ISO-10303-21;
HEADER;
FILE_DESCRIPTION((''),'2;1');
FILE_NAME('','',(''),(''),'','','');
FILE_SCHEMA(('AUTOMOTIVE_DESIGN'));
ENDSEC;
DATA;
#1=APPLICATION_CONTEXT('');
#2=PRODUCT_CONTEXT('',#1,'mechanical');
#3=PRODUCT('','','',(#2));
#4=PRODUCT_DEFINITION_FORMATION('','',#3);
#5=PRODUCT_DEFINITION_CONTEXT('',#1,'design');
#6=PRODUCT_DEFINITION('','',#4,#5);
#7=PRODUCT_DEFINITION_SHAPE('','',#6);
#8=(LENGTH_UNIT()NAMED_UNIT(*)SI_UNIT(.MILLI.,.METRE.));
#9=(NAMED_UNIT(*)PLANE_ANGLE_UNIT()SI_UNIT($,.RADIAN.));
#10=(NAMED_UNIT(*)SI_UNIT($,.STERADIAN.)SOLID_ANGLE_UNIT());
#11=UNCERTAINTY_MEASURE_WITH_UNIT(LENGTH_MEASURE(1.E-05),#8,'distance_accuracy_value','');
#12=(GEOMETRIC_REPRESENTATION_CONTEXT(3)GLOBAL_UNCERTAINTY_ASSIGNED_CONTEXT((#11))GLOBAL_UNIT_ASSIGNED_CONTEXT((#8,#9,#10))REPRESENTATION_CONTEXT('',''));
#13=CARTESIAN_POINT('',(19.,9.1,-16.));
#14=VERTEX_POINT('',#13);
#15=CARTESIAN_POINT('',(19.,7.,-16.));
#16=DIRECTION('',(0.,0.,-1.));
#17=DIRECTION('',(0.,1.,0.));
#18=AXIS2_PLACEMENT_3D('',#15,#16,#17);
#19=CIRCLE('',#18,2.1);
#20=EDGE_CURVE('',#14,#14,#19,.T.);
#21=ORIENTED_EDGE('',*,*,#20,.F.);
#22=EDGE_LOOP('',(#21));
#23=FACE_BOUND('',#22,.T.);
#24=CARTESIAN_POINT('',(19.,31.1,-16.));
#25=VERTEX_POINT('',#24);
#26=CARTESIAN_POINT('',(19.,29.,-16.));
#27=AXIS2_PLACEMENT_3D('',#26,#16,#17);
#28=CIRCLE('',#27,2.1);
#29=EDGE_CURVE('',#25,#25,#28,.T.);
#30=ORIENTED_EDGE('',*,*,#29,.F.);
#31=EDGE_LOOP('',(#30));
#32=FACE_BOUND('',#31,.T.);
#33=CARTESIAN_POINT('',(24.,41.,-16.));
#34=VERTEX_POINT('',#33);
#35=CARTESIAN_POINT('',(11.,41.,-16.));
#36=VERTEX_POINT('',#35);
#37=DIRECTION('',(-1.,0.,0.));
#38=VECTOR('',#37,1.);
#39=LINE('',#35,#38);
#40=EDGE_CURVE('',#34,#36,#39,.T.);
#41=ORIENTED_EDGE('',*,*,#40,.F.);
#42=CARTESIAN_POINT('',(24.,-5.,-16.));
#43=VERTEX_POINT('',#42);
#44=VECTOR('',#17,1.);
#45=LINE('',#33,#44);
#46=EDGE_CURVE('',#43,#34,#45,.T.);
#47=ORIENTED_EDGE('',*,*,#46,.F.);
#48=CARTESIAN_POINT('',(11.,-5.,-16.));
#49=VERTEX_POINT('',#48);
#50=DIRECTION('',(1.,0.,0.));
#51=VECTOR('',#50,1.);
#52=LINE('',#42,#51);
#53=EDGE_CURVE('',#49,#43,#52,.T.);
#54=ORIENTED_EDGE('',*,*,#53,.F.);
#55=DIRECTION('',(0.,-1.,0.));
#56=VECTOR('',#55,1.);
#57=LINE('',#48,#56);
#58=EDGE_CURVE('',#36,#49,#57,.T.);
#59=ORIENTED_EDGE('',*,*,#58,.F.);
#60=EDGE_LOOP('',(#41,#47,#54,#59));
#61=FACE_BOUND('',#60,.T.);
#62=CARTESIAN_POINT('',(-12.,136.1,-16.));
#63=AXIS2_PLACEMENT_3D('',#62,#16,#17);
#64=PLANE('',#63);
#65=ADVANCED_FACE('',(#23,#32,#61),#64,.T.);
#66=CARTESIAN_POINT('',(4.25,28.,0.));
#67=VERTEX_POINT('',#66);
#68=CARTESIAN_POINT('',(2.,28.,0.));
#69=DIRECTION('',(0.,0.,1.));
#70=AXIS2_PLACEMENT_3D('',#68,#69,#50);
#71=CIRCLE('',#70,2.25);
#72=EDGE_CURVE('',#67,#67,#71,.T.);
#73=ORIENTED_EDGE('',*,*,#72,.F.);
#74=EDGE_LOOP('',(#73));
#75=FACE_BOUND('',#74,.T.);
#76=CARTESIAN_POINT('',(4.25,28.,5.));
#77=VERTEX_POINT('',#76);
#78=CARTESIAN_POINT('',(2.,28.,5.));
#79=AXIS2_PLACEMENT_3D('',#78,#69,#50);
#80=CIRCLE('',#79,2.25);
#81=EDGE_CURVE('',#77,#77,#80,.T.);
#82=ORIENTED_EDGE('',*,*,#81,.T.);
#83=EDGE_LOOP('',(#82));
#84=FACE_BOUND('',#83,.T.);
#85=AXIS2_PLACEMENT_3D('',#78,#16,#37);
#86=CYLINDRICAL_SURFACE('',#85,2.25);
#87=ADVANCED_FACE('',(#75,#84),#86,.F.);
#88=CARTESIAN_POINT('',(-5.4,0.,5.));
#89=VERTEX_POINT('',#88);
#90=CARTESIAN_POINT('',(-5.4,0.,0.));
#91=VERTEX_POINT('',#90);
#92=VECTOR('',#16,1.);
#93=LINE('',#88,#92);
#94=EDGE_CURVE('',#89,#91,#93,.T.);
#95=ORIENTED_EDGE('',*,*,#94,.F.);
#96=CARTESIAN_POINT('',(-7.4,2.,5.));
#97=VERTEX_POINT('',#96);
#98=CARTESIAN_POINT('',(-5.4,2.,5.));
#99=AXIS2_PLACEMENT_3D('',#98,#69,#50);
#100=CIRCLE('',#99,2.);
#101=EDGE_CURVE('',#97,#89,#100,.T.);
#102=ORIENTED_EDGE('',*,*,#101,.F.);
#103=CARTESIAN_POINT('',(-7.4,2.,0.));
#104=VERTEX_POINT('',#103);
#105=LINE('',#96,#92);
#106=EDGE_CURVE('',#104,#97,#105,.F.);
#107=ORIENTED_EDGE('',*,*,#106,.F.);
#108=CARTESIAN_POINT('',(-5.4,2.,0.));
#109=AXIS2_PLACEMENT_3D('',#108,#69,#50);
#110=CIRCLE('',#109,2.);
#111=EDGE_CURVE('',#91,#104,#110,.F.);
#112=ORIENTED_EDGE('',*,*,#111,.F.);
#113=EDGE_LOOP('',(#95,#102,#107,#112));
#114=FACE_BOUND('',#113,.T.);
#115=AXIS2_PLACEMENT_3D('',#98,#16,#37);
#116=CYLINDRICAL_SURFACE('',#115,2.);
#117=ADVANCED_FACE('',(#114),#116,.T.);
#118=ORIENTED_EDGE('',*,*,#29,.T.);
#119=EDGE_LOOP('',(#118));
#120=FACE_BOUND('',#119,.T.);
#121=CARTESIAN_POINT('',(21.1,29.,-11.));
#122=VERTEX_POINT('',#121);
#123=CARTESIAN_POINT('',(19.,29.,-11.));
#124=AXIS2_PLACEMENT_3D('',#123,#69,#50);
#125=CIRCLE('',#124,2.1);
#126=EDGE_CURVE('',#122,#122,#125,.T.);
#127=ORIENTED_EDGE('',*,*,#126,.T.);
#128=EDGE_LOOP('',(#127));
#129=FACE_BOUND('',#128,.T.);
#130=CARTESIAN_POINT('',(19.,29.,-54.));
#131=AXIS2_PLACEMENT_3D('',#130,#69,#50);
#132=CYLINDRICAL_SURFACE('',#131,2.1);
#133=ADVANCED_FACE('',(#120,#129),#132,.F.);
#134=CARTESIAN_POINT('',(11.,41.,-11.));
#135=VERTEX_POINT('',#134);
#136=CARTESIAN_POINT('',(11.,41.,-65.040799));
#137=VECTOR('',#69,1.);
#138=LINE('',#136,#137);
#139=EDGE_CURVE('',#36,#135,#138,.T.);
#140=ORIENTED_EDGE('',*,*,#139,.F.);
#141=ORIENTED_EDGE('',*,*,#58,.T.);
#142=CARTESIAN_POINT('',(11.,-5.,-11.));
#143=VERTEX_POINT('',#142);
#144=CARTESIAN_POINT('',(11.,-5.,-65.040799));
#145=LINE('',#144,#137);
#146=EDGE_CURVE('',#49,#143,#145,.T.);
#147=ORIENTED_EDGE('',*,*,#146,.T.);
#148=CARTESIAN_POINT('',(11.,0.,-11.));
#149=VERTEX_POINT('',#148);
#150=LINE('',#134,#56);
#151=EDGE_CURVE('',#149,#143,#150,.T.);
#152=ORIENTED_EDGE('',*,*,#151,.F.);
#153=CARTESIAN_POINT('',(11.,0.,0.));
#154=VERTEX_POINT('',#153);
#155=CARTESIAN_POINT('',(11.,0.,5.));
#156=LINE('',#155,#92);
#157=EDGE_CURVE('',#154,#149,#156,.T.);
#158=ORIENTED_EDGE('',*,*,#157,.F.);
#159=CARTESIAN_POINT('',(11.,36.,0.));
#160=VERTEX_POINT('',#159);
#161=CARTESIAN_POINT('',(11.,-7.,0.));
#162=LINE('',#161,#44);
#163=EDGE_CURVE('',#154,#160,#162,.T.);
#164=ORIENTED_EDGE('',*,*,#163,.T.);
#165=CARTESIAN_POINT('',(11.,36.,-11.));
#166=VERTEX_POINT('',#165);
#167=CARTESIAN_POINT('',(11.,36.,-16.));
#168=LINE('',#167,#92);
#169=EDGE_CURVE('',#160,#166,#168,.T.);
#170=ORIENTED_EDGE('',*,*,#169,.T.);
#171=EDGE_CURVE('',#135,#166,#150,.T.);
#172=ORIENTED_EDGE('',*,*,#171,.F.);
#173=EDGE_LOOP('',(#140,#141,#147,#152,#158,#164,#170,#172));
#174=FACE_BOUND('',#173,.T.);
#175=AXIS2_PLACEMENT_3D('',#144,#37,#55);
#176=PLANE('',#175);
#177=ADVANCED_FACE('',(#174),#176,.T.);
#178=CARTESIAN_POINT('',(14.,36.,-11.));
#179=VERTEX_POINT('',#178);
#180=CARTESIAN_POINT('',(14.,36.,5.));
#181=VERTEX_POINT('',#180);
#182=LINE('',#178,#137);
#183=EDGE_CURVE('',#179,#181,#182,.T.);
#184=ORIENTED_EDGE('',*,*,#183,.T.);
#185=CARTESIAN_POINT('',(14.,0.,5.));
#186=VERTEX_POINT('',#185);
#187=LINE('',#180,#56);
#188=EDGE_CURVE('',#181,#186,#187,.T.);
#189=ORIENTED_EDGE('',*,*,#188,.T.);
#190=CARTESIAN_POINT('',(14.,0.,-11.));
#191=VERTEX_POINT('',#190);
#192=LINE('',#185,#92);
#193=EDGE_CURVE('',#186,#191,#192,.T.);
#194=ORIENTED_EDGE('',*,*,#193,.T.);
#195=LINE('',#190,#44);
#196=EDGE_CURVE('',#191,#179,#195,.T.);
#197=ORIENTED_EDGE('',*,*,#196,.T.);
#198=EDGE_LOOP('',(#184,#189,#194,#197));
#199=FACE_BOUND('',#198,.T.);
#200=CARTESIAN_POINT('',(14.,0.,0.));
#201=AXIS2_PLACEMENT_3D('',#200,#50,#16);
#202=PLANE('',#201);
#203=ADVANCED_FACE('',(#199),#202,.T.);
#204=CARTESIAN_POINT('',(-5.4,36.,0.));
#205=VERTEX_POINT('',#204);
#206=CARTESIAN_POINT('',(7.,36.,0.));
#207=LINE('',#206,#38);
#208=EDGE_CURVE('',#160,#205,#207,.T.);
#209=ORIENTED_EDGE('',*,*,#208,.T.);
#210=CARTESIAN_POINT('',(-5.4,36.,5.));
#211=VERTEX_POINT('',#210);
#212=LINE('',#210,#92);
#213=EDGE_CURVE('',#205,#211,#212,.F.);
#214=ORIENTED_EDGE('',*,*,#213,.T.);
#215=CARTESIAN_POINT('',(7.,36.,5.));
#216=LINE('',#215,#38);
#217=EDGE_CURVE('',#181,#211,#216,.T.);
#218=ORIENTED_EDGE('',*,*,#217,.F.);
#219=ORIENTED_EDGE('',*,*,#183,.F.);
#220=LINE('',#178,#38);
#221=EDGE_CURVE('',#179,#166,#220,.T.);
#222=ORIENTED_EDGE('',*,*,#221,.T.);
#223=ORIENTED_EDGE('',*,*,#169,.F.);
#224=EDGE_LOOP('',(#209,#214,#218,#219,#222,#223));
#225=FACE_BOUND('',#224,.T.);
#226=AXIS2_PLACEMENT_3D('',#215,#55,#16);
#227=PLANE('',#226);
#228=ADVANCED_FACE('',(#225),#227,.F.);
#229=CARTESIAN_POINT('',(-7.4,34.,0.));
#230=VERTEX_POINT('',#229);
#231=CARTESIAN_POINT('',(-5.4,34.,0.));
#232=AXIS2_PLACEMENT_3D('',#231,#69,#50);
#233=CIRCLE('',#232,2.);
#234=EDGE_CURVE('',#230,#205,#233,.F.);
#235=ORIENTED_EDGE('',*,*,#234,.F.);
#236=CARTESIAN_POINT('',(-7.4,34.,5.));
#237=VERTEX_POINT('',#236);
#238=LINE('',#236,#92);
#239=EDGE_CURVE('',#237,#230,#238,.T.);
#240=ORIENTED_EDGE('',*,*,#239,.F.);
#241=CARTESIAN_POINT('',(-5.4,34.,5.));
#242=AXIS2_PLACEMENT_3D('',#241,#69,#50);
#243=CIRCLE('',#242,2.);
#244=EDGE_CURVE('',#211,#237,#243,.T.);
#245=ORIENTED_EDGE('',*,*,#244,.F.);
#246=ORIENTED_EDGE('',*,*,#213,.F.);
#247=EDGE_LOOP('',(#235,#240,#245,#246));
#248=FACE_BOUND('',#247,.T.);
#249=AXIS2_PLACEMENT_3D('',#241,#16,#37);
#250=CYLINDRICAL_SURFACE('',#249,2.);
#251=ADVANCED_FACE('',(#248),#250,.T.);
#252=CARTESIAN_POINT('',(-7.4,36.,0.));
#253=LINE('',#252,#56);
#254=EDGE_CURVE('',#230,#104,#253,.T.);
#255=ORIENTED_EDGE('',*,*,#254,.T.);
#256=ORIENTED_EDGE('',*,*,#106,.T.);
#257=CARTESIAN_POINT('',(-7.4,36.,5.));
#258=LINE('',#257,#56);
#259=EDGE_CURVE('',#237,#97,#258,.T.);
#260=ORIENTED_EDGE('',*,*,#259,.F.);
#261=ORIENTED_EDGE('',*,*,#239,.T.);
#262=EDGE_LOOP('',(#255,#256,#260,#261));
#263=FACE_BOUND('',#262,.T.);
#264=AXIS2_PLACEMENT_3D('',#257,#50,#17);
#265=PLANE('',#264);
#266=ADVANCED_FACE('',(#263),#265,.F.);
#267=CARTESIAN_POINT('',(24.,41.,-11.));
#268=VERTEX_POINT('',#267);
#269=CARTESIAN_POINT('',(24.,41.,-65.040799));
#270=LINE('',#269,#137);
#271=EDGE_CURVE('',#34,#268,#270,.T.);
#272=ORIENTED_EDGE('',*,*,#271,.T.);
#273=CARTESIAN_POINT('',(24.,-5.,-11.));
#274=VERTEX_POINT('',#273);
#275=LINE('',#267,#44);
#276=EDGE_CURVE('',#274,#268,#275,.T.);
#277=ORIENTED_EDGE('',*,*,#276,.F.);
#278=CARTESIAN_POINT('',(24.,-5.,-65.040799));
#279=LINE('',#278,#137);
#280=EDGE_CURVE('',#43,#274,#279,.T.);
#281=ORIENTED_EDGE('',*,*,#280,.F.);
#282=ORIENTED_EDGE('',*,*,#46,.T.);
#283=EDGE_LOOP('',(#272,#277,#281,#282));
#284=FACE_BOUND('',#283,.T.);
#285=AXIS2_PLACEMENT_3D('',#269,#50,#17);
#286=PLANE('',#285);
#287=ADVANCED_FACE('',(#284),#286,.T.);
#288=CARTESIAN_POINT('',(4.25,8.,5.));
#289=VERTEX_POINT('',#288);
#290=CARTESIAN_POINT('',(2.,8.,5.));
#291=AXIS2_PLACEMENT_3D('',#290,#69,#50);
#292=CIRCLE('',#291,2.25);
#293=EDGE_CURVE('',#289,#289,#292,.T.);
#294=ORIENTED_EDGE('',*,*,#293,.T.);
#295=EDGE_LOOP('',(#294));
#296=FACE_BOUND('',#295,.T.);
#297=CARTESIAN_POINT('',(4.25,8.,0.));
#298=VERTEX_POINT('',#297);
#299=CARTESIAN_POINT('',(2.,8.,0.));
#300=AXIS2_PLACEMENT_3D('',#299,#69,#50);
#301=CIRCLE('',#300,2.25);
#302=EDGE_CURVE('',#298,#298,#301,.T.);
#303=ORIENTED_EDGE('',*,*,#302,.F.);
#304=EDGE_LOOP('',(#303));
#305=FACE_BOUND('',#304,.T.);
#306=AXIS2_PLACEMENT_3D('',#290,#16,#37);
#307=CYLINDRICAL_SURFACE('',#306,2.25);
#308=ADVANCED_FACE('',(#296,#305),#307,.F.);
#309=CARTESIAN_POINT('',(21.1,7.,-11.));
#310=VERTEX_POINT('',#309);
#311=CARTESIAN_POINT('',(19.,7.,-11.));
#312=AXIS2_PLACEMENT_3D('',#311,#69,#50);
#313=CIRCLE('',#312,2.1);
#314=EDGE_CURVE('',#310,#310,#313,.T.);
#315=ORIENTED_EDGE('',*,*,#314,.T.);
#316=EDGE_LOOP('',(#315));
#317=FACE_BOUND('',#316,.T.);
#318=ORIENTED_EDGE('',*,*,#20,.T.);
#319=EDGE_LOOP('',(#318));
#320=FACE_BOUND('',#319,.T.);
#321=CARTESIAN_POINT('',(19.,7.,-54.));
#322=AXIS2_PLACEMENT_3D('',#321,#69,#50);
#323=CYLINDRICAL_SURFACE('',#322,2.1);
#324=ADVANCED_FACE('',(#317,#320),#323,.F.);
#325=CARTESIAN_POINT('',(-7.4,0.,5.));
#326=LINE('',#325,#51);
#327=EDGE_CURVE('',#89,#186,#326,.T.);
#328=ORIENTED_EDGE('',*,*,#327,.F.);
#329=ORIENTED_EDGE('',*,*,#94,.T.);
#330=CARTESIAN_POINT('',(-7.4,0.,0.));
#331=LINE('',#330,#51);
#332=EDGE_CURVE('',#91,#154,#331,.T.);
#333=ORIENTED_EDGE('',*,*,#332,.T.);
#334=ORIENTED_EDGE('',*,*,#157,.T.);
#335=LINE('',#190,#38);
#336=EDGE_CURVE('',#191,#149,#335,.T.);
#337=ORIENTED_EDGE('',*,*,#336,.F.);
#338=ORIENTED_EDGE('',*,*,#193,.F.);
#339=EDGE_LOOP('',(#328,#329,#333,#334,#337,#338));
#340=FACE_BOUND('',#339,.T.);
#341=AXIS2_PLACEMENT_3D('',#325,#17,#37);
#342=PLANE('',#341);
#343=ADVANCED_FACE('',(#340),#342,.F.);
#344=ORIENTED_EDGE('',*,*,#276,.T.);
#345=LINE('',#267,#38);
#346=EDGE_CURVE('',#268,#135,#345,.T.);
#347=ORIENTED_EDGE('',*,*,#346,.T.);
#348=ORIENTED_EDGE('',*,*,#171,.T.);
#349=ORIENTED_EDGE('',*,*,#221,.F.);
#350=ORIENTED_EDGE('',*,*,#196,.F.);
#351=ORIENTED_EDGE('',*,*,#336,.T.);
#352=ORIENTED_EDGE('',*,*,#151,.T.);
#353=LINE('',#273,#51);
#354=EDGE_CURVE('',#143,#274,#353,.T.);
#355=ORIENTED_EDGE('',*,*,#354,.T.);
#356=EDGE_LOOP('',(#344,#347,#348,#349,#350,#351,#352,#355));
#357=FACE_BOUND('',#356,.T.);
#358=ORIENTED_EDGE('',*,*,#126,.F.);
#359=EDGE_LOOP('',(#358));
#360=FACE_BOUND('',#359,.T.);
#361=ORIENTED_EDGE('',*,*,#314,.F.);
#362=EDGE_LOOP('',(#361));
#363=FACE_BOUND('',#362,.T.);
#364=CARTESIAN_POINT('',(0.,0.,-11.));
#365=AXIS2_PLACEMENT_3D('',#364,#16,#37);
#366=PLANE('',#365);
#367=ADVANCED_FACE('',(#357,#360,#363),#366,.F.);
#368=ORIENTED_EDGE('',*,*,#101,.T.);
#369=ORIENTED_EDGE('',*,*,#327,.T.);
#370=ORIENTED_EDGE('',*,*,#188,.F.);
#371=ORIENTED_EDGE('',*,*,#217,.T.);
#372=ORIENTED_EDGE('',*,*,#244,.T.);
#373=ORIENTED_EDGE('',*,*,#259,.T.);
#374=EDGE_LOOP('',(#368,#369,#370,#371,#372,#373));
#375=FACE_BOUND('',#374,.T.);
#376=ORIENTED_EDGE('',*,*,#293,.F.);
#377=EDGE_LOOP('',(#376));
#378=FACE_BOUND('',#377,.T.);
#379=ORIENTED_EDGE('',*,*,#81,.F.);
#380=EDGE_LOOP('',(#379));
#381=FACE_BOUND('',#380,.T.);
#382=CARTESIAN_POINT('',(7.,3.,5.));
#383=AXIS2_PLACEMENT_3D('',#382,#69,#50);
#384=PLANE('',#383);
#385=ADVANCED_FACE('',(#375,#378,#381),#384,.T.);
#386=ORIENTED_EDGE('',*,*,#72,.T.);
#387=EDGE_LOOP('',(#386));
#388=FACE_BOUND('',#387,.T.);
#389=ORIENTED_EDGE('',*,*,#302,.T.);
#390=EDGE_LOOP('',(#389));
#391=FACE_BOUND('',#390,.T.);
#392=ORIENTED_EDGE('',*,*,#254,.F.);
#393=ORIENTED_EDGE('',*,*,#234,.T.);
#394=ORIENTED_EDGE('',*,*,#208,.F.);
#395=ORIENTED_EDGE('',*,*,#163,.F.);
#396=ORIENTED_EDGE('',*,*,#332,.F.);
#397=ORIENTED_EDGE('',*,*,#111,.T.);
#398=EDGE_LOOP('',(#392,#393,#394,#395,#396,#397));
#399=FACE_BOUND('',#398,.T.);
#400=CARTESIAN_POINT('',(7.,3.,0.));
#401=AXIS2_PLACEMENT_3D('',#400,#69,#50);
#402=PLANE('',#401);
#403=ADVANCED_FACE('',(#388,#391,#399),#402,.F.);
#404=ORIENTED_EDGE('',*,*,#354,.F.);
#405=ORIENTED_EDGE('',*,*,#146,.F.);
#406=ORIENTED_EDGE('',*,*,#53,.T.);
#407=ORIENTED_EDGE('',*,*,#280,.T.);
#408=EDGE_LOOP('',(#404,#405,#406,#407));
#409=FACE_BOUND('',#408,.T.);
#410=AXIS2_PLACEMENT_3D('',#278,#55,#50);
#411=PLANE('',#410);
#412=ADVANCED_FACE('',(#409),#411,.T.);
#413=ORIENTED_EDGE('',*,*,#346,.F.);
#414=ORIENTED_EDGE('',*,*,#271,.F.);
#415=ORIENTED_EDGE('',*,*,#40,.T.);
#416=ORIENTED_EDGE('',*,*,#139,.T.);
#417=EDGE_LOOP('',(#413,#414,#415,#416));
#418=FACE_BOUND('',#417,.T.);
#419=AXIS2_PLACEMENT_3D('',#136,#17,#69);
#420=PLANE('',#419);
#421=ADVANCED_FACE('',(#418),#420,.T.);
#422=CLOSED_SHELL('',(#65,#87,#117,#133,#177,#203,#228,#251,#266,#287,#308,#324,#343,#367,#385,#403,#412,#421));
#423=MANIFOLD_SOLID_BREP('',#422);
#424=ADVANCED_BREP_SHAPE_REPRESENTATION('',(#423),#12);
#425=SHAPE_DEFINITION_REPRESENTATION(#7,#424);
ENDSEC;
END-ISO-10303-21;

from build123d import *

# Parameters (mm, degrees)
ESQUISSE1_R             = 2.25
BOSS_EXTRU_1_DEPTH      = 5
BOSS_EXTRU_2_START      = -21
BOSS_EXTRU_2_DEPTH      = 21
ESQUISSE4_W             = 13
ESQUISSE4_H             = 46
ENL_V_MAT_EXTRU_2_DEPTH = 16
ESQUISSE9_W             = 16
ESQUISSE9_H             = 36
BOSS_EXTRU_3_DEPTH      = 3
ESQUISSE10_W            = 4
ESQUISSE10_H            = 16
ENL_V_MAT_EXTRU_6_DEPTH = 43
CONG_1_R                = 2
ESQUISSE11_R            = 2.1
ENL_V_MAT_EXTRU_7_DEPTH = 43


with BuildPart() as part:
    # Esquisse1 → Boss.-Extru.1 (new body)
    with BuildSketch(Plane.XY):
        with BuildLine():
            Line((-7.4, 36), (-7.4, 0))
            Line((-7.4, 0), (7, 0))
            ThreePointArc((7, 0), (9.121320344, 0.878679656), (10, 3))
            Line((10, 3), (10, 33))
            ThreePointArc((10, 33), (9.121320344, 35.121320344), (7, 36))
            Line((7, 36), (-7.4, 36))
        make_face()
        with Locations((2, 8)):
            Circle(ESQUISSE1_R, mode=Mode.SUBTRACT)
        with Locations((2, 28)):
            Circle(ESQUISSE1_R, mode=Mode.SUBTRACT)
    extrude(amount=BOSS_EXTRU_1_DEPTH)

    # Esquisse2 → Boss.-Extru.2 (add)
    with BuildSketch(Plane.XY.offset(5).offset(BOSS_EXTRU_2_START)):
        with BuildLine():
            Line((10, 3), (10, 33))
            ThreePointArc((10, 33), (9.121320344, 35.121320344), (7, 36))
            Line((7, 36), (11, 36))
            Line((11, 36), (11, 41))
            Line((11, 41), (24, 41))
            Line((24, 41), (24, -5))
            Line((24, -5), (11, -5))
            Line((11, -5), (11, 0))
            Line((11, 0), (7, 0))
            ThreePointArc((7, 0), (9.121320344, 0.878679656), (10, 3))
        make_face()
    extrude(amount=BOSS_EXTRU_2_DEPTH)

    # Esquisse4 → Enlèv. mat.-Extru.2 (cut)
    with BuildSketch(Plane.XY.offset(5)):
        with Locations((17.5, 18)):
            Rectangle(ESQUISSE4_W, ESQUISSE4_H)
    extrude(amount=-ENL_V_MAT_EXTRU_2_DEPTH, mode=Mode.SUBTRACT)

    # Esquisse9 → Boss.-Extru.3 (add)
    with BuildSketch(Plane(origin=(11, 0, 0), x_dir=(0, 0, -1), z_dir=(1, 0, 0))):
        with Locations((3, 18)):
            Rectangle(ESQUISSE9_W, ESQUISSE9_H)
    extrude(amount=BOSS_EXTRU_3_DEPTH)

    # Esquisse10 → Enlèv. mat.-Extru.6 (cut)
    with BuildSketch(Plane(origin=(0, 36, 0), x_dir=(1, 0, 0), z_dir=(0, 1, 0))):
        with Locations((9, 8)):
            Rectangle(ESQUISSE10_W, ESQUISSE10_H)
    extrude(amount=-ENL_V_MAT_EXTRU_6_DEPTH, mode=Mode.SUBTRACT)

    # Congé1
    cong_1_edges = [part.edges().sort_by_distance(p)[0] for p in [
        (-7.4, 0, 2.5),
        (-7.4, 36, 2.5),
    ]]
    fillet(cong_1_edges, radius=CONG_1_R)

    # Esquisse11 → Enlèv. mat.-Extru.7 (cut)
    with BuildSketch(Plane.XY.offset(-11)):
        with Locations((19, 29)):
            Circle(ESQUISSE11_R)
        with Locations((19, 7)):
            Circle(ESQUISSE11_R)
    extrude(amount=-ENL_V_MAT_EXTRU_7_DEPTH, mode=Mode.SUBTRACT)


solid = part.part
